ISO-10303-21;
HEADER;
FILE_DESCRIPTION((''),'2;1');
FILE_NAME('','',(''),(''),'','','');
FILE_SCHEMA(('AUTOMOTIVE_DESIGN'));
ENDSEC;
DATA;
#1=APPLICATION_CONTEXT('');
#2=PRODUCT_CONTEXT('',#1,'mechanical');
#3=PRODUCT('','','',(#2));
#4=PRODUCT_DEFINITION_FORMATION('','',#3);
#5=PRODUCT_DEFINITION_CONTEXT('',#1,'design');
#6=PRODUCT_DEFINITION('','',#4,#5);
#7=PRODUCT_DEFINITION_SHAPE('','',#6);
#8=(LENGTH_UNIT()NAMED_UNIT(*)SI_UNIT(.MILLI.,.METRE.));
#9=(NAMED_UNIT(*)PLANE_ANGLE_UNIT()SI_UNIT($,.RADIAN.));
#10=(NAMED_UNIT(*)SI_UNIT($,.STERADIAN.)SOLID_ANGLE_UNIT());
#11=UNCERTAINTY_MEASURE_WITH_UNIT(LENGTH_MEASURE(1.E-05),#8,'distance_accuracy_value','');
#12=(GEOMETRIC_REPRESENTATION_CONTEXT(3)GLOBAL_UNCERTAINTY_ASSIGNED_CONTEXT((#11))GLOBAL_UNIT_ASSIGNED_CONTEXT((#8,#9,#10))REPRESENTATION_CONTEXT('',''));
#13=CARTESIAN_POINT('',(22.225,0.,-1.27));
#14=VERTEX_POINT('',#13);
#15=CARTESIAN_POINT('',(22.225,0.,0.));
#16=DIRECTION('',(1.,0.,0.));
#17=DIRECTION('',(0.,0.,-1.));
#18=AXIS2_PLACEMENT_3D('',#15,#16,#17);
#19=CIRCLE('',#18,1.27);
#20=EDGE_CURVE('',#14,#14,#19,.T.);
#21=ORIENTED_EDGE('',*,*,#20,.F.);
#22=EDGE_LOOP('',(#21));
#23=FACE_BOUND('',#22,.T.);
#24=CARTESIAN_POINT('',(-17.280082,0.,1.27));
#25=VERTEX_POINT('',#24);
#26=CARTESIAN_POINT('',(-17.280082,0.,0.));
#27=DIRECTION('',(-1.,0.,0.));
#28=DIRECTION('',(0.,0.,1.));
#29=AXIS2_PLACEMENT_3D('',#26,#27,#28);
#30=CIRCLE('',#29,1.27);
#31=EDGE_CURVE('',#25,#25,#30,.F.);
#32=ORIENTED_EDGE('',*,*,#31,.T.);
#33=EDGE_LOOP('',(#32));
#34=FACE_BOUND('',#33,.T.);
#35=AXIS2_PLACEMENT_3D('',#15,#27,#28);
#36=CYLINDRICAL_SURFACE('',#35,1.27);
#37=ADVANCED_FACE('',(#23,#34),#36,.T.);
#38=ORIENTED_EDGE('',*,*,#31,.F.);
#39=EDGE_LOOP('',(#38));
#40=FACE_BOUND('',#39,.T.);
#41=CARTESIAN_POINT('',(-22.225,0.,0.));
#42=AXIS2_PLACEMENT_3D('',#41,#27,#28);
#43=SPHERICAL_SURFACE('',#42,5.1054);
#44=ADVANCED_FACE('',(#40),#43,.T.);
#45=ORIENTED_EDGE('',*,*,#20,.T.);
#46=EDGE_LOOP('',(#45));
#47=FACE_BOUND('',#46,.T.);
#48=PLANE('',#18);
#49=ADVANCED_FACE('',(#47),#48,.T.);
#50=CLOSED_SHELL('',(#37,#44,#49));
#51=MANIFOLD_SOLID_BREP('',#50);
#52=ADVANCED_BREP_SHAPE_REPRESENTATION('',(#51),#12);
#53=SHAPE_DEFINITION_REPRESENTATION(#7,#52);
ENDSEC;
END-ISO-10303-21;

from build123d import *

# Parameters (mm, degrees)
SKETCH1_R      = 1.27
EXTRUDE1_DEPTH = 22.225


with BuildPart() as part:
    # Sketch1 → Extrude1 (new, symmetric)
    with BuildSketch(Plane(origin=(0, 0, 0), x_dir=(0, 0, -1), z_dir=(1, 0, 0))):
        Circle(SKETCH1_R)
    extrude(amount=EXTRUDE1_DEPTH, both=True)

    # Sketch2 → Revolve1 (revolve)
    with BuildSketch(Plane.ZY.offset(22.225)):
        with BuildLine():
            Line((0, -5.1054), (0, 5.1054))
            ThreePointArc((0, 5.1054), (-5.1054, 0), (0, -5.1054))
        make_face()
    revolve(axis=Axis((-22.225, 8.762723072, 0), (0, -1, 0)))


solid = part.part
